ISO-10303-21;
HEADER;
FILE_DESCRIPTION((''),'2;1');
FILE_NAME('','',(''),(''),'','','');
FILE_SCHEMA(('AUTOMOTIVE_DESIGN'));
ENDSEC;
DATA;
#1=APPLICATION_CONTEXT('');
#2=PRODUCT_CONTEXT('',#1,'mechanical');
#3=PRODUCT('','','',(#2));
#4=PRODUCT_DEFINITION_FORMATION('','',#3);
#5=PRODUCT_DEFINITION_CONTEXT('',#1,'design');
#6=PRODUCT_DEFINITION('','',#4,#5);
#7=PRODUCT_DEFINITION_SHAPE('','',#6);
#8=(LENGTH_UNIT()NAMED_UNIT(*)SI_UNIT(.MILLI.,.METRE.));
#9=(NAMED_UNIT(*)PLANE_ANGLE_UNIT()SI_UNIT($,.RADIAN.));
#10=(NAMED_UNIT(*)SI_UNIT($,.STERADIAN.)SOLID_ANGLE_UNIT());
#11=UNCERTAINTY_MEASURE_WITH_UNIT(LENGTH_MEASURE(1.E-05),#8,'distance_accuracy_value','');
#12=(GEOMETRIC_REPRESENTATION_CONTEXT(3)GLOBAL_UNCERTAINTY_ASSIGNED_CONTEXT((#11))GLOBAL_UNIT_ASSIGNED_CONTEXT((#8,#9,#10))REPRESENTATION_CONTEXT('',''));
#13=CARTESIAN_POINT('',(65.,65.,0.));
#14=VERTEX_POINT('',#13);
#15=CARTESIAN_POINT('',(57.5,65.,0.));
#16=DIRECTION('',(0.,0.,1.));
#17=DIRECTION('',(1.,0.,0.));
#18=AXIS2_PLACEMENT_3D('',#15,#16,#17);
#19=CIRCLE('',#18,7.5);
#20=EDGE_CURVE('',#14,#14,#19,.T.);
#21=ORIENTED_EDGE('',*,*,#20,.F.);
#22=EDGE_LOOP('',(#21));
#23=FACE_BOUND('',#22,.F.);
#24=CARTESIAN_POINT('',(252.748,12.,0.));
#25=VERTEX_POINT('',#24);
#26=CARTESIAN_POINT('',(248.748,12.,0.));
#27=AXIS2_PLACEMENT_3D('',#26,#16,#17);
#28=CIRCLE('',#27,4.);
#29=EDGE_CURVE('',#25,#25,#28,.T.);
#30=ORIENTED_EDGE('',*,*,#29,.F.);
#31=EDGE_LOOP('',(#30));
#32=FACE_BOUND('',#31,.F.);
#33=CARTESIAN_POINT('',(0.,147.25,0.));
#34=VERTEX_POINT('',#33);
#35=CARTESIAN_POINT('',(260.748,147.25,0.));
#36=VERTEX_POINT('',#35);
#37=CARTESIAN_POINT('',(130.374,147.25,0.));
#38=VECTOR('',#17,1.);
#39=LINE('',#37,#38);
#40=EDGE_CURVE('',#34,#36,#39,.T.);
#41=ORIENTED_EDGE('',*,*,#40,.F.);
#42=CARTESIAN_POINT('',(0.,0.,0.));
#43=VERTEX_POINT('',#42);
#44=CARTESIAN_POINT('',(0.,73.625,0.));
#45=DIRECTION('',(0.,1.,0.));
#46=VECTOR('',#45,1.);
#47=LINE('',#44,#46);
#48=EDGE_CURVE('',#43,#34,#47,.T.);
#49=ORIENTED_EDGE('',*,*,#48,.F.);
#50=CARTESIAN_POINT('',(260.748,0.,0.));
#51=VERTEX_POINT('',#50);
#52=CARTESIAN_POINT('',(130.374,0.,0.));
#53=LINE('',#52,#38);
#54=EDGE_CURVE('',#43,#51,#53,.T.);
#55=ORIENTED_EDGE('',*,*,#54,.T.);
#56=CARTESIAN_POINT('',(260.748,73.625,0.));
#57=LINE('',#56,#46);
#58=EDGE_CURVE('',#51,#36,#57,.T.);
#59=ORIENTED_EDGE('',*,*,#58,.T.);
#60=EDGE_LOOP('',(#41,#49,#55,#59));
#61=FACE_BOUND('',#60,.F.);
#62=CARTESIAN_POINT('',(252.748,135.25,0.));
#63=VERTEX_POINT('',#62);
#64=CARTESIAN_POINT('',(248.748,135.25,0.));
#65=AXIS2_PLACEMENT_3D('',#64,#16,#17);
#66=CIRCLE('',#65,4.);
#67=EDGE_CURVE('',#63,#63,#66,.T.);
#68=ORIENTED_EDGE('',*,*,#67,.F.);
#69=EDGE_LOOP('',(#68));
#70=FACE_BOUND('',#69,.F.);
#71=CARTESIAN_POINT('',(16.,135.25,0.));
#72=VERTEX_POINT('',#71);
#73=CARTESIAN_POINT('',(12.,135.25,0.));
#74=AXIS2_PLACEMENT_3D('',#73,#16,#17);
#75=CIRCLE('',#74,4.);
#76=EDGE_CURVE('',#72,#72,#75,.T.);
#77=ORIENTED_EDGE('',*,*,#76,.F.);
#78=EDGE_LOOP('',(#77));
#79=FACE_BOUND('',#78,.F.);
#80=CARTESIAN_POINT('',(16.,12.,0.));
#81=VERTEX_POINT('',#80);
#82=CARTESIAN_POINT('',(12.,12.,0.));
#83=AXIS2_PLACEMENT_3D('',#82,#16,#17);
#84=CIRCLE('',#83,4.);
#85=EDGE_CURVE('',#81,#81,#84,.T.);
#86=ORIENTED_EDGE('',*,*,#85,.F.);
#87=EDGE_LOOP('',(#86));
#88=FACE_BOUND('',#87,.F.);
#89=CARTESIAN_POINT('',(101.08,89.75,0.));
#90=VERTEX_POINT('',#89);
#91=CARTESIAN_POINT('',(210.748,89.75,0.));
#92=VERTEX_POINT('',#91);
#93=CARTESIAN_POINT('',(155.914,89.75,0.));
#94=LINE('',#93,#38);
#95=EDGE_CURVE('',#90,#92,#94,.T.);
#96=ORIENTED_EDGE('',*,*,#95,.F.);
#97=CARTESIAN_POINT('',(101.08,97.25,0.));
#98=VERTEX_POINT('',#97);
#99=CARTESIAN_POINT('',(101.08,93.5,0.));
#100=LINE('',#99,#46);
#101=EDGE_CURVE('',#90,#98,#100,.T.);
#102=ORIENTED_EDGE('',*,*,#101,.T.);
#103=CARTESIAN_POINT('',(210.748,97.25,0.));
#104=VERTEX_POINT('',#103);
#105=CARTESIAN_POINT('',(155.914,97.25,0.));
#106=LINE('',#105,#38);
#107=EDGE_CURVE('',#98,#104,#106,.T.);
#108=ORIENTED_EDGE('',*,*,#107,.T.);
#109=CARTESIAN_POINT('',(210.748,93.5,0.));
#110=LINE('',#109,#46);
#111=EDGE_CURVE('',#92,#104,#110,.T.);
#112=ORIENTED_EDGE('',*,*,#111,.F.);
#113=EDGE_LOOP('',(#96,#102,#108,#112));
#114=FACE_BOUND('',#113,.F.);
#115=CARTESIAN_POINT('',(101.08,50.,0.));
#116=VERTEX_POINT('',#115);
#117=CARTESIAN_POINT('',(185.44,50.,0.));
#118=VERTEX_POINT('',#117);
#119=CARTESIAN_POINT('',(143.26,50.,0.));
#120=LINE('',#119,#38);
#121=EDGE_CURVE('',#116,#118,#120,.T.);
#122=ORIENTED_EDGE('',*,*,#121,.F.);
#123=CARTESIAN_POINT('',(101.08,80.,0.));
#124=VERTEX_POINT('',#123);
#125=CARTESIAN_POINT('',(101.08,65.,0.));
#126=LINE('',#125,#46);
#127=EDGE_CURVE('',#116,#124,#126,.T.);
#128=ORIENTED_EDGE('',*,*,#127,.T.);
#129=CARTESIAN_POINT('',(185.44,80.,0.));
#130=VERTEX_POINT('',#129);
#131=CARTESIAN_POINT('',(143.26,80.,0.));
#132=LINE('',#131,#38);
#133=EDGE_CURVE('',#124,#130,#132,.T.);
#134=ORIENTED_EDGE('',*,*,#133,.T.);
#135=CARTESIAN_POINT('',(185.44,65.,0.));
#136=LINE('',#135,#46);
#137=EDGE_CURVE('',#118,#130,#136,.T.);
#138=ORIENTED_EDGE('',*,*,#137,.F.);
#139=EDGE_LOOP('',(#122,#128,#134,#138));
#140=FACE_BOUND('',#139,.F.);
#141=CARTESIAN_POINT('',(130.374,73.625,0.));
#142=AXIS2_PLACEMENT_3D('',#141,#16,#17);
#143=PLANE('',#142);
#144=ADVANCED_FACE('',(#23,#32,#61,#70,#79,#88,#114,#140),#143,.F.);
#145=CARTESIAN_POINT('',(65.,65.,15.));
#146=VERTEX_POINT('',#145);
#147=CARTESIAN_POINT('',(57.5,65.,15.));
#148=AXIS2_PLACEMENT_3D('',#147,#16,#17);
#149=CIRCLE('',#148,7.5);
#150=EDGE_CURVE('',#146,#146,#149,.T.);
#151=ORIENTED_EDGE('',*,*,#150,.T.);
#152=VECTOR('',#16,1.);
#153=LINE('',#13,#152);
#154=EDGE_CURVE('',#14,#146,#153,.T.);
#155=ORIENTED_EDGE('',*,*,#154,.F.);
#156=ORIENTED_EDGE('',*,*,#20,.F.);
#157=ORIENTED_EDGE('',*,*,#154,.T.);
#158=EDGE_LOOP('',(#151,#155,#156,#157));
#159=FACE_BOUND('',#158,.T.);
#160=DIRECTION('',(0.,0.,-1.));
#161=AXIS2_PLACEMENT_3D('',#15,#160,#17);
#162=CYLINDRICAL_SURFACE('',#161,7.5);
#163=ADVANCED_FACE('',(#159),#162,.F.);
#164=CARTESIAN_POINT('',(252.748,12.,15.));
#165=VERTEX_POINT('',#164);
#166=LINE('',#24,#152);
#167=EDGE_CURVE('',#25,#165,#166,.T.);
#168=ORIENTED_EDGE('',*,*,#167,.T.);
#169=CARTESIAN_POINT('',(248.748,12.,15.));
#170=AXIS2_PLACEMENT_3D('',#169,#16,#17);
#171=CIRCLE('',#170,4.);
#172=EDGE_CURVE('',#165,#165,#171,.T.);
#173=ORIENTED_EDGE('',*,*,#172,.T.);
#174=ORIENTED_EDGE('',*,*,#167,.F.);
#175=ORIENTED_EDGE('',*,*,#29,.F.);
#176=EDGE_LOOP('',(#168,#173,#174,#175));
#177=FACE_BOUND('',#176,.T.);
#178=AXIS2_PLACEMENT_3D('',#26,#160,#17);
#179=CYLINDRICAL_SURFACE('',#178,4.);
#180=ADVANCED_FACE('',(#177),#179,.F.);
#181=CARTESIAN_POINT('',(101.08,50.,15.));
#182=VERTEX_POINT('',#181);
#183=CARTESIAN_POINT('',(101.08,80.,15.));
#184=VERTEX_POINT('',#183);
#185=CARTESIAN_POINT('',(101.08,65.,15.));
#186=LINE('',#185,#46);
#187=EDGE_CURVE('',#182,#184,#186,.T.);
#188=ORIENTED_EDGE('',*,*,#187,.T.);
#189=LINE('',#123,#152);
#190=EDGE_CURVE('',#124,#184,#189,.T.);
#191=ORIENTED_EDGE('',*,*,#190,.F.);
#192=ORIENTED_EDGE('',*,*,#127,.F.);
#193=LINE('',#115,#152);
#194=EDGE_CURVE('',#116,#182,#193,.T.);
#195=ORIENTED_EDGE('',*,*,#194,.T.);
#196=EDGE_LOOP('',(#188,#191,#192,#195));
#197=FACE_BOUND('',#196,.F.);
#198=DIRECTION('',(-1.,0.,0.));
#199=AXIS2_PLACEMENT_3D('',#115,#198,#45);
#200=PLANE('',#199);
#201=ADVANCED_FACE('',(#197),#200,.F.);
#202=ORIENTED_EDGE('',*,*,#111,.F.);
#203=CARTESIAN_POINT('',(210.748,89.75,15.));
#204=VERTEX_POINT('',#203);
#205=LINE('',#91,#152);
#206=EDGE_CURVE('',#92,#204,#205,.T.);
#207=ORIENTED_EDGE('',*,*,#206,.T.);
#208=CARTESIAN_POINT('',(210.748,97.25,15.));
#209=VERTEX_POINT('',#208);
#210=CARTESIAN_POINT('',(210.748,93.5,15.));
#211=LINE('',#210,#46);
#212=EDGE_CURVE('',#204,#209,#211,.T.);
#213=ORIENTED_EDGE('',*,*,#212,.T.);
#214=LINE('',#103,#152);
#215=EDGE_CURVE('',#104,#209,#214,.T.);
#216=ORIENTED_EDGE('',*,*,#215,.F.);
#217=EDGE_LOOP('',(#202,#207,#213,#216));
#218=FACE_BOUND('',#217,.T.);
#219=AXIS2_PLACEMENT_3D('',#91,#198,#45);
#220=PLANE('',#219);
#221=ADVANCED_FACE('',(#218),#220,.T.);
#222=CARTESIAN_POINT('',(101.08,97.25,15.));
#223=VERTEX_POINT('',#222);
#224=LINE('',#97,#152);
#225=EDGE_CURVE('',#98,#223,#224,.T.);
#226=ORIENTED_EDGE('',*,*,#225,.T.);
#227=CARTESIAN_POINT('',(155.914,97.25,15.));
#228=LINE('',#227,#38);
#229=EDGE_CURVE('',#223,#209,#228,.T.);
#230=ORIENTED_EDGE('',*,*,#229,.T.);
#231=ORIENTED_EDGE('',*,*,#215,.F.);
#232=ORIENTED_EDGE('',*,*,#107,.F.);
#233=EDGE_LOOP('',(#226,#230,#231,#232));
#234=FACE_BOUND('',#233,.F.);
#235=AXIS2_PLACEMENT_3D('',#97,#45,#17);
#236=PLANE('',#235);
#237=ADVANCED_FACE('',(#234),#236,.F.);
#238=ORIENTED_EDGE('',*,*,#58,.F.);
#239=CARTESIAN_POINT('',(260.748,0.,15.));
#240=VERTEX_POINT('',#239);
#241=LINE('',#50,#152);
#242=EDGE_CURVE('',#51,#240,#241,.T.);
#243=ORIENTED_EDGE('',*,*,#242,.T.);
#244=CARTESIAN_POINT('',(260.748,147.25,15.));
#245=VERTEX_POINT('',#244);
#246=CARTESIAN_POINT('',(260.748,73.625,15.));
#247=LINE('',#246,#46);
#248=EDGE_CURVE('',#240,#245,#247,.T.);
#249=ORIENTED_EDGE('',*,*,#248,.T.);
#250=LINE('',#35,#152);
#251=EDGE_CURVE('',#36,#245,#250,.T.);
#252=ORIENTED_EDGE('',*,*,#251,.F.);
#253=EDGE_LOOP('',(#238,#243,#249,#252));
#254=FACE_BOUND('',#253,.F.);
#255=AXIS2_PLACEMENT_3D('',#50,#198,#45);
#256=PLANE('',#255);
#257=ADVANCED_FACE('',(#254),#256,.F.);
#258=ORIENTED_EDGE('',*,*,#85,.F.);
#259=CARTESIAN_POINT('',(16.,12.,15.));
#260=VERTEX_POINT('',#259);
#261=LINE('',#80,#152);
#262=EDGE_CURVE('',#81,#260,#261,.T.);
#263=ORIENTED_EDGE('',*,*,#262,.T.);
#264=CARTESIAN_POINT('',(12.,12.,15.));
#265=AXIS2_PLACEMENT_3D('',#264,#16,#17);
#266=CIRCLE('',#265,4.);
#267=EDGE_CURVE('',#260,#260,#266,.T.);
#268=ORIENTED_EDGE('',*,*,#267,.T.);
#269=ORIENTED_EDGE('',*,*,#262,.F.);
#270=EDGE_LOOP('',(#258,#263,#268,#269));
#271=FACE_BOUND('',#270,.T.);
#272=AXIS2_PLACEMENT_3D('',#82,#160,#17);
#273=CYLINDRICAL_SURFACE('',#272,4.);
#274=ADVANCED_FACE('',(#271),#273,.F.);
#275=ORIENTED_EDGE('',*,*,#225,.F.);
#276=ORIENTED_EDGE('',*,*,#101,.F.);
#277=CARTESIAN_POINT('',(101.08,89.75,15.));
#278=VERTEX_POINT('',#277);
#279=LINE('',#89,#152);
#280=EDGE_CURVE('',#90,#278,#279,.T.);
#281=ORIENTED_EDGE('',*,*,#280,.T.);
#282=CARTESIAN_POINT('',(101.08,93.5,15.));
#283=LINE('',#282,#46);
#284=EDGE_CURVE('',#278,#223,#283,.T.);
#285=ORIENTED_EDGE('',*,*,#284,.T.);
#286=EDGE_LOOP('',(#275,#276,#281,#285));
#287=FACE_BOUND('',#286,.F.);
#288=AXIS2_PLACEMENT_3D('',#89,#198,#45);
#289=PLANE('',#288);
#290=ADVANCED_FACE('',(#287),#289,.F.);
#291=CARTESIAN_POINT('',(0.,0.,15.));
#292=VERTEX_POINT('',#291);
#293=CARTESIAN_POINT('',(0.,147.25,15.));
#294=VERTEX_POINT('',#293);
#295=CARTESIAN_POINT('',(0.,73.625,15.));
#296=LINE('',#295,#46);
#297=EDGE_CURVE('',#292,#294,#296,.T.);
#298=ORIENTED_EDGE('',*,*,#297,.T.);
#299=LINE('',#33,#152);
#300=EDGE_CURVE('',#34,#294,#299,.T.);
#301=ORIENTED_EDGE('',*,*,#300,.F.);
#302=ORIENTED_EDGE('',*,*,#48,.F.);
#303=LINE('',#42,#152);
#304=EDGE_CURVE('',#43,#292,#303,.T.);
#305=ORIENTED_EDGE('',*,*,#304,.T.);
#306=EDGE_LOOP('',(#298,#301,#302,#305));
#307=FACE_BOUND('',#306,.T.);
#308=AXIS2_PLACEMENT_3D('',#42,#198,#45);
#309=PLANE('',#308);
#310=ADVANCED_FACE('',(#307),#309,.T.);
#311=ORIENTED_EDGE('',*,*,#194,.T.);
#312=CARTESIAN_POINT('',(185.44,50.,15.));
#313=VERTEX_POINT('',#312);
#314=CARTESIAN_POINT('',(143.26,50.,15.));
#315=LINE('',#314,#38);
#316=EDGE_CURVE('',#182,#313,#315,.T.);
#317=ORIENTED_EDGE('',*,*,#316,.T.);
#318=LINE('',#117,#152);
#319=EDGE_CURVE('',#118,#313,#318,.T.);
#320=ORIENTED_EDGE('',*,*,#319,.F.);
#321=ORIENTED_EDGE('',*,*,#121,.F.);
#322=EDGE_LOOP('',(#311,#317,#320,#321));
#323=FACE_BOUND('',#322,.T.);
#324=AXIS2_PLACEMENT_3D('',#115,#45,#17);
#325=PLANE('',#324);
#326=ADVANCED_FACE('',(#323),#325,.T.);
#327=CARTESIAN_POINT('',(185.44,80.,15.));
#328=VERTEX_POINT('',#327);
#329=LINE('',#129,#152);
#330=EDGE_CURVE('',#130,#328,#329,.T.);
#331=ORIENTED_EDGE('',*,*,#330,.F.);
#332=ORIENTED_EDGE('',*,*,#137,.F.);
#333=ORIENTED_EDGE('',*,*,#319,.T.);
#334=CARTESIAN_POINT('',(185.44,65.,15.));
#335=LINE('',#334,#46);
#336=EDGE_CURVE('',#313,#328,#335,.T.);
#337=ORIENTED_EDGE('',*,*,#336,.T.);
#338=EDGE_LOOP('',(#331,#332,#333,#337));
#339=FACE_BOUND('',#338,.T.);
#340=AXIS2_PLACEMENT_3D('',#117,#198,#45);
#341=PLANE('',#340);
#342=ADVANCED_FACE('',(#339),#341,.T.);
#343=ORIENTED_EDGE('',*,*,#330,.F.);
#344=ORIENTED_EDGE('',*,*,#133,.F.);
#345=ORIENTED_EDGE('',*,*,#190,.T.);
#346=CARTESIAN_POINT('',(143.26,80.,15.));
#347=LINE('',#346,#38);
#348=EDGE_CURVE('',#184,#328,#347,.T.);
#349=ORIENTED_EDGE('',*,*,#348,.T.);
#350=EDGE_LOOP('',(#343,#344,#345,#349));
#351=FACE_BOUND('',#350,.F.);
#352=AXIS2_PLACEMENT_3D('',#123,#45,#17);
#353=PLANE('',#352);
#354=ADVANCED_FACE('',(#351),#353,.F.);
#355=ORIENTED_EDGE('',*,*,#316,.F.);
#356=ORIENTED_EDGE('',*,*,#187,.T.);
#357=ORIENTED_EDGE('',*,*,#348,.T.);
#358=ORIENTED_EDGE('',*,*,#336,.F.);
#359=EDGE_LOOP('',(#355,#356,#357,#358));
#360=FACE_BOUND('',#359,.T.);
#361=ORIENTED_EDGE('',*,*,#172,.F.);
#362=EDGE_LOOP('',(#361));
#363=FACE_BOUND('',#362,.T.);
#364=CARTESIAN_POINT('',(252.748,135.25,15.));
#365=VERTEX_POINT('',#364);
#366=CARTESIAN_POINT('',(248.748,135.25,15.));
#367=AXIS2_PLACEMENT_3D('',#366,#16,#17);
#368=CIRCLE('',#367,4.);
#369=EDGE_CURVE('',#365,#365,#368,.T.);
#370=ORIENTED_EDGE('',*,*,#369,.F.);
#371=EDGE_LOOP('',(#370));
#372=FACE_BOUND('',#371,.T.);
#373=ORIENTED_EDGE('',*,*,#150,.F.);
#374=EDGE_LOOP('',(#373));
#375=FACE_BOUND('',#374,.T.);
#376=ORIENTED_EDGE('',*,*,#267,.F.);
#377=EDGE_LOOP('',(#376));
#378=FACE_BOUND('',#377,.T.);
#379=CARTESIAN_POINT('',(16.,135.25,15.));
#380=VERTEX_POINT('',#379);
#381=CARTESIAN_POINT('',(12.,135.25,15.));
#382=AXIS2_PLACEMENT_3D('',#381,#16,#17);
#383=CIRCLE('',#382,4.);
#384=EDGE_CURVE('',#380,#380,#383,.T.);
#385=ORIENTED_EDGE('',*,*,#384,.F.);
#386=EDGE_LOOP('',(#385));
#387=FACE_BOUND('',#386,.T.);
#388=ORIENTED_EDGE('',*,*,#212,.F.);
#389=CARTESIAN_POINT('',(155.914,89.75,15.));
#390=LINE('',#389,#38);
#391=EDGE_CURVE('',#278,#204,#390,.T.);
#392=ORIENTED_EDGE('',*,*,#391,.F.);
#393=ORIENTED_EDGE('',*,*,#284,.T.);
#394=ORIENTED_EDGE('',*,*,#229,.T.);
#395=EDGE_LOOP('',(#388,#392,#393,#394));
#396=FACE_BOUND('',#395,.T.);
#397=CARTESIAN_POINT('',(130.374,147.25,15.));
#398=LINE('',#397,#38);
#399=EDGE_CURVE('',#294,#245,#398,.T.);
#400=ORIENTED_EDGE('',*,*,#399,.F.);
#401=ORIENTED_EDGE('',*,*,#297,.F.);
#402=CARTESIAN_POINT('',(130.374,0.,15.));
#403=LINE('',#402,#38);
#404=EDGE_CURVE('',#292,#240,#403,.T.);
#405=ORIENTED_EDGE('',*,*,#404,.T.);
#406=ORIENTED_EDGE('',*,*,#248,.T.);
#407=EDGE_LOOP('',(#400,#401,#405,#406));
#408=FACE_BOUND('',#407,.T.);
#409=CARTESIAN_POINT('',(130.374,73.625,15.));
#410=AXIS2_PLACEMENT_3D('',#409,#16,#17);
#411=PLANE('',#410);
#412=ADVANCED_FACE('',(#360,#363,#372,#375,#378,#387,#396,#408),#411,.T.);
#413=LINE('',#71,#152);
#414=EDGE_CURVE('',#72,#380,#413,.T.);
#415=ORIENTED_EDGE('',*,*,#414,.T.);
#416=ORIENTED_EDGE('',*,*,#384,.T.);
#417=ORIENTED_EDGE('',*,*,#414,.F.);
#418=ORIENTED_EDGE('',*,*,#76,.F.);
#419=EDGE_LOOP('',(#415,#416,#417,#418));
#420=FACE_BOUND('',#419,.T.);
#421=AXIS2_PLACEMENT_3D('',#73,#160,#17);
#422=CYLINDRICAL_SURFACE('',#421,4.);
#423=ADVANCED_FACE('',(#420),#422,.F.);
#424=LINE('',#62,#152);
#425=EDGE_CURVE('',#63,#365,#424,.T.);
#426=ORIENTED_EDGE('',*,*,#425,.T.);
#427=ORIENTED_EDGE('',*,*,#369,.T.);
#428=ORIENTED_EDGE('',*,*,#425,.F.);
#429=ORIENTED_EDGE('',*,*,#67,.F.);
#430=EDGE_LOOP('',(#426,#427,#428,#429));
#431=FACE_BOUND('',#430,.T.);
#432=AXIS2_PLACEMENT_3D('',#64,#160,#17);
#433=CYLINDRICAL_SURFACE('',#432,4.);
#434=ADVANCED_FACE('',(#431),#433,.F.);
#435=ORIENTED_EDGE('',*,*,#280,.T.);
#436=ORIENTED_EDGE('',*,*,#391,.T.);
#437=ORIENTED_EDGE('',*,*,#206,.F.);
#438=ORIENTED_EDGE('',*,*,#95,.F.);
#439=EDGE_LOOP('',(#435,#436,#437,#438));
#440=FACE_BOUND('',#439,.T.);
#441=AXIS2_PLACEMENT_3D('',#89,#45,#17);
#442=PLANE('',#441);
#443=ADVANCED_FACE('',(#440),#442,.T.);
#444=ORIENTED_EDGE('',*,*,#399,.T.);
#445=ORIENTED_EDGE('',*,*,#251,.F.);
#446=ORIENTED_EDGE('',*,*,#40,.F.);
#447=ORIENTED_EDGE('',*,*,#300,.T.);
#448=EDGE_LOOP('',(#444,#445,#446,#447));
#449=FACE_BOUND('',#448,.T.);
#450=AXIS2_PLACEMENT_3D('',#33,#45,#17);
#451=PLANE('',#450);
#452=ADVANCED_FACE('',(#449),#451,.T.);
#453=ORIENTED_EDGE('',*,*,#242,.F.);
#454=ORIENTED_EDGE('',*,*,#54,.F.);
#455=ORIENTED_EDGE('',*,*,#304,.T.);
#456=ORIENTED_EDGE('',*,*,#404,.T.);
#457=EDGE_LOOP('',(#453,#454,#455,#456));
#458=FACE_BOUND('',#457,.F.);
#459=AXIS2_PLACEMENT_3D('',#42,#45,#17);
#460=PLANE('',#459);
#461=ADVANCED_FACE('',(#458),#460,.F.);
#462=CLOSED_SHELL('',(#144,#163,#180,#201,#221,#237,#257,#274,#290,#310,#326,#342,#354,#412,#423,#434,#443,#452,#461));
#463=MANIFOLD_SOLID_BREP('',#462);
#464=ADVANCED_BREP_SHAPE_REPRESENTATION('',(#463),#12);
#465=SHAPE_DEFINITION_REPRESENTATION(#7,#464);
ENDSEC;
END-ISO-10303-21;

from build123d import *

# Parameters (mm, degrees)
F0_W     = 260.748
F0_H     = 147.25
F0_R     = 4
F0_R_2   = 7.5
F0_W_2   = 84.36
F0_H_2   = 30
F0_W_3   = 109.668
F0_H_3   = 7.5
F1_DEPTH = 15


with BuildPart() as f1:
    # F0 (on Top) → F1 (new body)
    with BuildSketch(Plane.XY):
        with Locations((130.374, 73.625)):
            Rectangle(F0_W, F0_H)
        with Locations((12, 12)):
            Circle(F0_R, mode=Mode.SUBTRACT)
        with Locations((57.5, 65)):
            Circle(F0_R_2, mode=Mode.SUBTRACT)
        with Locations((248.748, 12)):
            Circle(F0_R, mode=Mode.SUBTRACT)
        with Locations((143.26, 65)):
            Rectangle(F0_W_2, F0_H_2, mode=Mode.SUBTRACT)
        with Locations((12, 135.25)):
            Circle(F0_R, mode=Mode.SUBTRACT)
        with Locations((155.914, 93.5)):
            Rectangle(F0_W_3, F0_H_3, mode=Mode.SUBTRACT)
        with Locations((248.748, 135.25)):
            Circle(F0_R, mode=Mode.SUBTRACT)
    extrude(amount=F1_DEPTH)


solid = f1.part
